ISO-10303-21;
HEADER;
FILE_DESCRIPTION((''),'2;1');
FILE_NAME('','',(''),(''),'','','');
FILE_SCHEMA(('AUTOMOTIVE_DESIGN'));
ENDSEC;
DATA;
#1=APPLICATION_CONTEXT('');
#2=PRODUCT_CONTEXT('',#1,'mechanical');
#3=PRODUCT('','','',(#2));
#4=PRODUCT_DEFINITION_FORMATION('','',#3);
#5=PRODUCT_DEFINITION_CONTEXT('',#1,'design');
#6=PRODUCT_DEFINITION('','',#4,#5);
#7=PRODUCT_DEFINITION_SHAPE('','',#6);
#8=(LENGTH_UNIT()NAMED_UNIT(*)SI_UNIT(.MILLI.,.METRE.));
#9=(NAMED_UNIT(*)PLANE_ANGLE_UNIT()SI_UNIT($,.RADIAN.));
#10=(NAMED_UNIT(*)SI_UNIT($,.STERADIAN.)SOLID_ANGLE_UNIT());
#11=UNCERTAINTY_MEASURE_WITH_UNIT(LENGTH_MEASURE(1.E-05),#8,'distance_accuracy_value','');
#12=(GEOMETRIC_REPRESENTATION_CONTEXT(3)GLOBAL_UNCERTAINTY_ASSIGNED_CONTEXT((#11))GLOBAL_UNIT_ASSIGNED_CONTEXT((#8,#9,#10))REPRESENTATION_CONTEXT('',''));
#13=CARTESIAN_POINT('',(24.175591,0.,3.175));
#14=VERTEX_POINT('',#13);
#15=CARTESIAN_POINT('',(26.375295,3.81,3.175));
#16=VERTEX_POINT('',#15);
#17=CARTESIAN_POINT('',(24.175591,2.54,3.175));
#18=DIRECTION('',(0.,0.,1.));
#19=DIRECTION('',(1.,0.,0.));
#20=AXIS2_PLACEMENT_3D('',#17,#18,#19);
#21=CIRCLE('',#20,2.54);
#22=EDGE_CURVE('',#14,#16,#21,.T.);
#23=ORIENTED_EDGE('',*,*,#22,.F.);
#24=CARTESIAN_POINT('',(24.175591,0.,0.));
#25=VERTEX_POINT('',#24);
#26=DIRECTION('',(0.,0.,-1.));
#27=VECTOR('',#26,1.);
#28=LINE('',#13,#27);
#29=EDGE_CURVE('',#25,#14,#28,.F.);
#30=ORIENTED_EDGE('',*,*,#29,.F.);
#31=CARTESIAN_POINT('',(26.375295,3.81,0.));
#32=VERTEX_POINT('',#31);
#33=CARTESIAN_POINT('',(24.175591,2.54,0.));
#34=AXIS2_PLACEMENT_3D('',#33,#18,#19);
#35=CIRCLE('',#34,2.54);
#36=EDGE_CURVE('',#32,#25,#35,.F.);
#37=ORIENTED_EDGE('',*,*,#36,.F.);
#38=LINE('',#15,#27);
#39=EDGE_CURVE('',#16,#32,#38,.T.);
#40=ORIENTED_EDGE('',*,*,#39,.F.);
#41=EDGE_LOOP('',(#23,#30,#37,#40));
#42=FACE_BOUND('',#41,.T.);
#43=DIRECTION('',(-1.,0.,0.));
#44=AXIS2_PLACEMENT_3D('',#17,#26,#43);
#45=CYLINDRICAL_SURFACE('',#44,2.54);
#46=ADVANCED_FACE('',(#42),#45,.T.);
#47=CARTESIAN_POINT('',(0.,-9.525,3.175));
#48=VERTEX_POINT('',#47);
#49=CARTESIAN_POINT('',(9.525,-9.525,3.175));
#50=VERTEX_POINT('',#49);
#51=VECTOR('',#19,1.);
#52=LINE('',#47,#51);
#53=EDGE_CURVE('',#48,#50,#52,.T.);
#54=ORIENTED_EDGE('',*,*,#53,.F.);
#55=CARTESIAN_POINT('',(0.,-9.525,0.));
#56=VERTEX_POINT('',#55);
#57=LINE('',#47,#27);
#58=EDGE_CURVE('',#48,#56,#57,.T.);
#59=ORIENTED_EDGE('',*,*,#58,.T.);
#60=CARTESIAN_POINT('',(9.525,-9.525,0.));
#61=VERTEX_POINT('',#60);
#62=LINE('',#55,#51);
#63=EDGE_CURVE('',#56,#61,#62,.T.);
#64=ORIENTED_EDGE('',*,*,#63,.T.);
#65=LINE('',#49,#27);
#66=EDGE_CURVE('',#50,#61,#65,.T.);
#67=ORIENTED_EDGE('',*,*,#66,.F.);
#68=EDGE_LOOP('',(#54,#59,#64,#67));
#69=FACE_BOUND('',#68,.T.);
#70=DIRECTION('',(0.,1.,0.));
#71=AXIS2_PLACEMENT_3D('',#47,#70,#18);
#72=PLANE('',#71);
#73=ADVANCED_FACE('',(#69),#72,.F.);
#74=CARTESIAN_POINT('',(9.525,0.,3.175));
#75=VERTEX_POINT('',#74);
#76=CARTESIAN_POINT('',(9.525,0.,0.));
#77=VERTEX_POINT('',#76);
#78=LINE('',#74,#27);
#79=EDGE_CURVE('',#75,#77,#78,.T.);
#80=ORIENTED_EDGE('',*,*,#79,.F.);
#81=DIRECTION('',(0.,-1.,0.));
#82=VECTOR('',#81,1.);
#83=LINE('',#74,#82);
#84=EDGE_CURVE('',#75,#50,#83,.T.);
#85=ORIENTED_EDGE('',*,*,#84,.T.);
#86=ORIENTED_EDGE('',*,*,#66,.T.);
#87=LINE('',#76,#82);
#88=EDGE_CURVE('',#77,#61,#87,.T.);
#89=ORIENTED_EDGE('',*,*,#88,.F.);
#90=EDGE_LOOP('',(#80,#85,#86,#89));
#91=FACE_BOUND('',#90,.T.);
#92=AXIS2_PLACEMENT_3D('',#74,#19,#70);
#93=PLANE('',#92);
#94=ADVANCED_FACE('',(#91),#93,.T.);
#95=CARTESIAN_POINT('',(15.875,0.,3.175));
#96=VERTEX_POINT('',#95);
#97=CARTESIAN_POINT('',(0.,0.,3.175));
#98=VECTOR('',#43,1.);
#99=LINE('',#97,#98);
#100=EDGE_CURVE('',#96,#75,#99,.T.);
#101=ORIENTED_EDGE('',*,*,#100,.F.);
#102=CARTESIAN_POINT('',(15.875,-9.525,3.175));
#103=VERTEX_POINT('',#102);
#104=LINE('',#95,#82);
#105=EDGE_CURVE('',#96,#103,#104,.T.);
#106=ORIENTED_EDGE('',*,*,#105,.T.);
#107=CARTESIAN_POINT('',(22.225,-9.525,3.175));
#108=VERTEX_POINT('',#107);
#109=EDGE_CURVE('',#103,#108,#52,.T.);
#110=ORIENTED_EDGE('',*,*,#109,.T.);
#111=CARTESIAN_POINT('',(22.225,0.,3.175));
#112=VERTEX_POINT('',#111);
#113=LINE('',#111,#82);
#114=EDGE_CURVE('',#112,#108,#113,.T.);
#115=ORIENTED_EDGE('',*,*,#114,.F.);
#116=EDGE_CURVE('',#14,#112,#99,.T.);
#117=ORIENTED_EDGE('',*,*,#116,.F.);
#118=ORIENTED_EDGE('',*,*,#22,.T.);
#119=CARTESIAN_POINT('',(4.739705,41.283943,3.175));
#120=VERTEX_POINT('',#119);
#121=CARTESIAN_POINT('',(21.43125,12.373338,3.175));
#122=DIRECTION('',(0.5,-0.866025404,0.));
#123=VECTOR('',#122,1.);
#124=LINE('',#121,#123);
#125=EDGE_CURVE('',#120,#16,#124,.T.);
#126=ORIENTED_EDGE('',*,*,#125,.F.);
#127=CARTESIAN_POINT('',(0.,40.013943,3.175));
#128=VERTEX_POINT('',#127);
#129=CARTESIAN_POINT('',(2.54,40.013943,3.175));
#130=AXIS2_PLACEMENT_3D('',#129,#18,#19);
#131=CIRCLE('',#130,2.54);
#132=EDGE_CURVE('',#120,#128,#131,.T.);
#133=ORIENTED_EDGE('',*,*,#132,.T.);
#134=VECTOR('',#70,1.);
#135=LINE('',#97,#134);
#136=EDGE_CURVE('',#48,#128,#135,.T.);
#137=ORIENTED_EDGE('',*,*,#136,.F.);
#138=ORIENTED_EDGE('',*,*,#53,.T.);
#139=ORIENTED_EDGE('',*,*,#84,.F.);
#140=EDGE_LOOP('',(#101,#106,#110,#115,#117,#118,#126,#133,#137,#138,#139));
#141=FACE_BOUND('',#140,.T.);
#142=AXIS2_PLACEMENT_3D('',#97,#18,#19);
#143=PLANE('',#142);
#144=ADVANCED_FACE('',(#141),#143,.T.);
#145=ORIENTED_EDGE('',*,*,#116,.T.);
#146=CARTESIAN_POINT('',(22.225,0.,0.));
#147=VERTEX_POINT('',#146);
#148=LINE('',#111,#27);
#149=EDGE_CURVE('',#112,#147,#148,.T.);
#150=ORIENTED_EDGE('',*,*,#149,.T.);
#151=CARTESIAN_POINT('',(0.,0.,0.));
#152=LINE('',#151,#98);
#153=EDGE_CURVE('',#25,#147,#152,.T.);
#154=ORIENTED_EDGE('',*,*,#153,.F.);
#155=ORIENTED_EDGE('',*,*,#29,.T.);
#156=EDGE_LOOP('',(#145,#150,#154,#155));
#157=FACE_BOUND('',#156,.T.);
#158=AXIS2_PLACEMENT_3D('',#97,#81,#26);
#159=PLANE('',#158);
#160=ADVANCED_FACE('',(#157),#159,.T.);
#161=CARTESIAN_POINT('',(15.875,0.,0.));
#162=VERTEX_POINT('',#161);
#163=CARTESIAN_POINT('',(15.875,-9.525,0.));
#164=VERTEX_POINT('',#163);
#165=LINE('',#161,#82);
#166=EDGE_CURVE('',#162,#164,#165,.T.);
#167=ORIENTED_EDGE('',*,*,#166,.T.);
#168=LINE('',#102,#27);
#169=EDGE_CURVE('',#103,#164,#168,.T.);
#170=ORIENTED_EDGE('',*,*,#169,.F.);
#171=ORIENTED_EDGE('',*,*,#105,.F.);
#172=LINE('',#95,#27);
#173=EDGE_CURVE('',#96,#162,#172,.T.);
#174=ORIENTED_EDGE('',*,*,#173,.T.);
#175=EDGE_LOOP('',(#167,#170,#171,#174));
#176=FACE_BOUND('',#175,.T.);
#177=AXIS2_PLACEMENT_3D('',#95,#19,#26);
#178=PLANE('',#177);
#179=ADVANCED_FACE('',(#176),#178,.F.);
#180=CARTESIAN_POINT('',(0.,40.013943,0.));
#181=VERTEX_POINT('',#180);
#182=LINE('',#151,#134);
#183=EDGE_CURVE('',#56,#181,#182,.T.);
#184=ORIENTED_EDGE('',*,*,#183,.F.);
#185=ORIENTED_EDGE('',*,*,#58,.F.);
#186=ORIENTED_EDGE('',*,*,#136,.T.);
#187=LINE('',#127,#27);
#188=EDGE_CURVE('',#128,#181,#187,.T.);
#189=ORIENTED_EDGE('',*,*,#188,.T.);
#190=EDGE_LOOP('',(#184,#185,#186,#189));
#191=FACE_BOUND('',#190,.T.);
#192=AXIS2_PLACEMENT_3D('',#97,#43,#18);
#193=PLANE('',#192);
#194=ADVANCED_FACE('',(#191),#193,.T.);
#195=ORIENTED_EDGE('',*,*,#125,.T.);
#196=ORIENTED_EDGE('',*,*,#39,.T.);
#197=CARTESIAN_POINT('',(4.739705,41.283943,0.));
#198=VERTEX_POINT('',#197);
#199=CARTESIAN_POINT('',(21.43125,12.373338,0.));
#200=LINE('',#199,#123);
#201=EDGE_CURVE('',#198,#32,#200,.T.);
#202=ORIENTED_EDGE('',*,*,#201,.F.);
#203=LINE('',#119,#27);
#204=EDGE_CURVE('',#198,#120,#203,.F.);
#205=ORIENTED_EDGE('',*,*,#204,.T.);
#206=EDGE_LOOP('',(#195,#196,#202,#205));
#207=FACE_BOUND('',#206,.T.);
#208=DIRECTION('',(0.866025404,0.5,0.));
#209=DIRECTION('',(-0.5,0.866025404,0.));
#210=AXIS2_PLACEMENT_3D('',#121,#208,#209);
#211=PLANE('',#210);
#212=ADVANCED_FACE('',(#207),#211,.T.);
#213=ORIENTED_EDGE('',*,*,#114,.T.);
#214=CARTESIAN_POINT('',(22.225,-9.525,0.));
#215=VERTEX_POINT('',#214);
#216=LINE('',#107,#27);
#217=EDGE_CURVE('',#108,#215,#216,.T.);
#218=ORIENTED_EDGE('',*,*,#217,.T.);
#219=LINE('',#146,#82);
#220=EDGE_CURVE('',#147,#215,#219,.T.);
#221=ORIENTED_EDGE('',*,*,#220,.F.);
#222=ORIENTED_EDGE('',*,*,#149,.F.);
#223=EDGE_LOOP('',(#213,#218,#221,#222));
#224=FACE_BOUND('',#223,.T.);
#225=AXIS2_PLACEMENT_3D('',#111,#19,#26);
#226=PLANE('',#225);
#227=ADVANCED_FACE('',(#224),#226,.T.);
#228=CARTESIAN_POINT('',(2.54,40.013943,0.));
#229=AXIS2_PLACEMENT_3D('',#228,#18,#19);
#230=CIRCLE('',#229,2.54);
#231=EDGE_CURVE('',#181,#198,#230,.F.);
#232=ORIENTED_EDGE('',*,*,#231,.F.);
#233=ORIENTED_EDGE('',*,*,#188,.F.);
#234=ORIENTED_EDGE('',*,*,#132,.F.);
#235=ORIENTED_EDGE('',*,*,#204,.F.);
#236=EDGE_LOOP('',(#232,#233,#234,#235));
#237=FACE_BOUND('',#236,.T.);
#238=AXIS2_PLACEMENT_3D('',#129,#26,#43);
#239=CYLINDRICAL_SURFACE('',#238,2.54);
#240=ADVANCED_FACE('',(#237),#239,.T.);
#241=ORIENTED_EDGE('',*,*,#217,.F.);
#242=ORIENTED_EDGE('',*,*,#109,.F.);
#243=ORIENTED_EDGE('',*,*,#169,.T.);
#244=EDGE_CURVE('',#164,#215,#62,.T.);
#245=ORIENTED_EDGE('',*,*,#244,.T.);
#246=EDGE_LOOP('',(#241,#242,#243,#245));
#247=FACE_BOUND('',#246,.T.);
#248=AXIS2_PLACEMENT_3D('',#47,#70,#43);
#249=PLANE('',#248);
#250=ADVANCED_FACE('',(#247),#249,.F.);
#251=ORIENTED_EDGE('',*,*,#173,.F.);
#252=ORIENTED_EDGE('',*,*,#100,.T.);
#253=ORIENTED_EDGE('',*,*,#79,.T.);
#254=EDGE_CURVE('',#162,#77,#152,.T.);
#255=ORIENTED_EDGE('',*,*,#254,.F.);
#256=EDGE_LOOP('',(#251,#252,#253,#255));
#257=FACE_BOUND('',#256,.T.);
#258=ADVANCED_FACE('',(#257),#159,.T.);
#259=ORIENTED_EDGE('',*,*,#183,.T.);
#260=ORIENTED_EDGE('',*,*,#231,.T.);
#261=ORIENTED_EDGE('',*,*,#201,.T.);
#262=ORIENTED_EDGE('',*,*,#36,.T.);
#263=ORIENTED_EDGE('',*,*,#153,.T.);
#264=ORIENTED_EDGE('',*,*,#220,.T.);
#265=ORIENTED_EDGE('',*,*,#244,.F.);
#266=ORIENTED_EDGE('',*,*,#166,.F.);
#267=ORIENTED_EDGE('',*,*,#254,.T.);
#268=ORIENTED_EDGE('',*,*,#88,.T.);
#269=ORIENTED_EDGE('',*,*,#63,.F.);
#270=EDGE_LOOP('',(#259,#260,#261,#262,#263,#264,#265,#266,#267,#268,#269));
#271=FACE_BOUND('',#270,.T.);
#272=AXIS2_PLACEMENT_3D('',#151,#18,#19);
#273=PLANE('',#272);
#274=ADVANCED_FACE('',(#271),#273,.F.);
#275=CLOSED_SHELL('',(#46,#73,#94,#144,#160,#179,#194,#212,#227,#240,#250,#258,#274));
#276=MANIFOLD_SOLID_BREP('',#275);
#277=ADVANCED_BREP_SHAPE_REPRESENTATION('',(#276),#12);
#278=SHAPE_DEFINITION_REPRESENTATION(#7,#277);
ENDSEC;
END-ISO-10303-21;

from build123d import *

# Parameters (mm, degrees)
SKETCH1_W           = 9.525
SKETCH1_H           = 9.525
SKETCH1_W_2         = 6.35
BOSS_EXTRUDE1_DEPTH = 3.175
FILLET1_R           = 2.54


with BuildPart() as part:
    # Sketch1 → Boss-Extrude1 (new body)
    with BuildSketch(Plane.XY):
        Polygon((28.575, 0), (0, 0), (0, 49.493351826), align=None)
        with Locations((4.7625, -4.7625)):
            Rectangle(SKETCH1_W, SKETCH1_H)
        with Locations((19.05, -4.7625)):
            Rectangle(SKETCH1_W_2, SKETCH1_H)
    extrude(amount=BOSS_EXTRUDE1_DEPTH)

    # Fillet1
    fillet1_edges = [part.edges().sort_by_distance(p)[0] for p in [
        (0, 49.493351826, 1.5875),
        (28.575, 0, 1.5875),
    ]]
    fillet(fillet1_edges, radius=FILLET1_R)


solid = part.part
